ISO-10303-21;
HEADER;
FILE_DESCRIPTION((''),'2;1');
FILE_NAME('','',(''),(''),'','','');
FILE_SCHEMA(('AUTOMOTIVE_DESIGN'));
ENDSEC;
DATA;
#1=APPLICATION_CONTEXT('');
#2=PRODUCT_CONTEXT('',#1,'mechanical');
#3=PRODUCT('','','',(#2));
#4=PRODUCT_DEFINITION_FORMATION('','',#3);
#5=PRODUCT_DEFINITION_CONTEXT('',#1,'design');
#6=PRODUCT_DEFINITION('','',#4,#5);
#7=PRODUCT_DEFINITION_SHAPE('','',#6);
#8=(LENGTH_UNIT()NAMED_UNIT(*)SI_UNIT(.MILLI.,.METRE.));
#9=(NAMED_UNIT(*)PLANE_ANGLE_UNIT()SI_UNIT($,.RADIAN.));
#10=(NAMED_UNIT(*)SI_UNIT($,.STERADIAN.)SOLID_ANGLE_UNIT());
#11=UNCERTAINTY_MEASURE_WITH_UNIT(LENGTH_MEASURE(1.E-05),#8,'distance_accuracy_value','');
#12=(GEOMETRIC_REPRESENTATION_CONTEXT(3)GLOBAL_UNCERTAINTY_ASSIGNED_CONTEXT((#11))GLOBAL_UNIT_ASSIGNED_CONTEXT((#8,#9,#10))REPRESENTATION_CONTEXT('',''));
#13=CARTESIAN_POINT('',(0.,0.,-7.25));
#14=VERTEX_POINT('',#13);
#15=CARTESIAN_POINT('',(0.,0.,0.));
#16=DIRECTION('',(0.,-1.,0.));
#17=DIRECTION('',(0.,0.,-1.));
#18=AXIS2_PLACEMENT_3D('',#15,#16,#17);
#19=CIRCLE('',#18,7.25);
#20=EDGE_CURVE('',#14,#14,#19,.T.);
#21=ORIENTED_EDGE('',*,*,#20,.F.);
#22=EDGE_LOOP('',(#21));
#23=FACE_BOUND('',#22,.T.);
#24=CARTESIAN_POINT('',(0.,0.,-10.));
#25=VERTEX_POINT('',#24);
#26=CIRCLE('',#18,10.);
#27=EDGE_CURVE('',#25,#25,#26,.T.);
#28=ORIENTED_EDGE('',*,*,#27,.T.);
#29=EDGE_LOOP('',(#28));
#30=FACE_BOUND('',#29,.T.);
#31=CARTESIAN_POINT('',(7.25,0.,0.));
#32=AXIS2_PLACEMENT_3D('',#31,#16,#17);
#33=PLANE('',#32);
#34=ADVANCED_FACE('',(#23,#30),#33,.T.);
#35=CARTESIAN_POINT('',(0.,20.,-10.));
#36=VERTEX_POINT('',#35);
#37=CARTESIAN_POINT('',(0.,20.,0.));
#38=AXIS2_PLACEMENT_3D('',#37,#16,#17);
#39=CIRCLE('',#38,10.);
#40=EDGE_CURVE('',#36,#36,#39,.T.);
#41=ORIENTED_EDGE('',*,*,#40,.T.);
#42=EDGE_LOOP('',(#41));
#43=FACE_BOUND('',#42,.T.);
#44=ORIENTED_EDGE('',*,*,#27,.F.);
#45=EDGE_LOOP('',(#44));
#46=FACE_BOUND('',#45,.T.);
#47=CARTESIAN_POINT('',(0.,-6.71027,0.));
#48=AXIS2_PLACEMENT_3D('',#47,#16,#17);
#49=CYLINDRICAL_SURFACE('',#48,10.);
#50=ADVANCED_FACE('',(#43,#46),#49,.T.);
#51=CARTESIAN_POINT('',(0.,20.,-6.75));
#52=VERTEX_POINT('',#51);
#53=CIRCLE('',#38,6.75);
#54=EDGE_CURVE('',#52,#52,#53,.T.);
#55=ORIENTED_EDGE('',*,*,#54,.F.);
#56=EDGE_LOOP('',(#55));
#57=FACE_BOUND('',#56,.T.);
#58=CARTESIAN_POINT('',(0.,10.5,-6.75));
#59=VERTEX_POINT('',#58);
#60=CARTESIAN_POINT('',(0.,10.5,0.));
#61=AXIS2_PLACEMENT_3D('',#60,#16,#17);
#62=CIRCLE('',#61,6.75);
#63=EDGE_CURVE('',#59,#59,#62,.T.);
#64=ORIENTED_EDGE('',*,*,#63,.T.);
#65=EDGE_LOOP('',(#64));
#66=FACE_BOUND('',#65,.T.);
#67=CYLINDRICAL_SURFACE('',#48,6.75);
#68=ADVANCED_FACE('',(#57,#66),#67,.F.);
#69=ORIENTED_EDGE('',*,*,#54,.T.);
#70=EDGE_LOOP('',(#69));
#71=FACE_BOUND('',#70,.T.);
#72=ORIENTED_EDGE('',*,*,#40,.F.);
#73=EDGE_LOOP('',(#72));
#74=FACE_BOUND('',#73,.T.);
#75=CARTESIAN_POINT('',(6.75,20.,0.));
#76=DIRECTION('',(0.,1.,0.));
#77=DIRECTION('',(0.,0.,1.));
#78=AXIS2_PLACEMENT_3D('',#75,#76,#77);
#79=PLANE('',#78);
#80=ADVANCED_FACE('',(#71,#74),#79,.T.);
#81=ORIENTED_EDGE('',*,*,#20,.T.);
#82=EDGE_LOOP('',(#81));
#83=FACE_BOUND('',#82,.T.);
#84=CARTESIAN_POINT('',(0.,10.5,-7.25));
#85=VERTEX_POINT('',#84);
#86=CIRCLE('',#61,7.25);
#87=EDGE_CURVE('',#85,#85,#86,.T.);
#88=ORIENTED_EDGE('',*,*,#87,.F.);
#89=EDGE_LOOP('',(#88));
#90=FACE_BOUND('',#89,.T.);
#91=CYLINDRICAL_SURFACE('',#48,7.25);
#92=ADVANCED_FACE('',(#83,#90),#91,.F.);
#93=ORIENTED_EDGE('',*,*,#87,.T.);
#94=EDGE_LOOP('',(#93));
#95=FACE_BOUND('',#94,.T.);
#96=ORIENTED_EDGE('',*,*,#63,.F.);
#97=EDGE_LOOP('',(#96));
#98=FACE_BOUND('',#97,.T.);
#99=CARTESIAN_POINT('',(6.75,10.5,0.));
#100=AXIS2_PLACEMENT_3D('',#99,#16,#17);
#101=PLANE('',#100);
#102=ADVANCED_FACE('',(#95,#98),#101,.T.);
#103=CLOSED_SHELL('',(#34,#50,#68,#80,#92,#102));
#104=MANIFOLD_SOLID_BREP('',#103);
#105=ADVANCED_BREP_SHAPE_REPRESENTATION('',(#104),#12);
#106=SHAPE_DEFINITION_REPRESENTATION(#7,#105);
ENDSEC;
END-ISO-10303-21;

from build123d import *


with BuildPart() as part:
    # Эскиз1 → Повернуть1 (revolve)
    with BuildSketch(Plane.XY):
        Polygon((7.25, 0), (10, 0), (10, 20), (6.75, 20), (6.75, 10.5), (7.25, 10.5), align=None)
    revolve(axis=Axis((0, -6.710269619, 0), (0, 1, 0)))


solid = part.part
